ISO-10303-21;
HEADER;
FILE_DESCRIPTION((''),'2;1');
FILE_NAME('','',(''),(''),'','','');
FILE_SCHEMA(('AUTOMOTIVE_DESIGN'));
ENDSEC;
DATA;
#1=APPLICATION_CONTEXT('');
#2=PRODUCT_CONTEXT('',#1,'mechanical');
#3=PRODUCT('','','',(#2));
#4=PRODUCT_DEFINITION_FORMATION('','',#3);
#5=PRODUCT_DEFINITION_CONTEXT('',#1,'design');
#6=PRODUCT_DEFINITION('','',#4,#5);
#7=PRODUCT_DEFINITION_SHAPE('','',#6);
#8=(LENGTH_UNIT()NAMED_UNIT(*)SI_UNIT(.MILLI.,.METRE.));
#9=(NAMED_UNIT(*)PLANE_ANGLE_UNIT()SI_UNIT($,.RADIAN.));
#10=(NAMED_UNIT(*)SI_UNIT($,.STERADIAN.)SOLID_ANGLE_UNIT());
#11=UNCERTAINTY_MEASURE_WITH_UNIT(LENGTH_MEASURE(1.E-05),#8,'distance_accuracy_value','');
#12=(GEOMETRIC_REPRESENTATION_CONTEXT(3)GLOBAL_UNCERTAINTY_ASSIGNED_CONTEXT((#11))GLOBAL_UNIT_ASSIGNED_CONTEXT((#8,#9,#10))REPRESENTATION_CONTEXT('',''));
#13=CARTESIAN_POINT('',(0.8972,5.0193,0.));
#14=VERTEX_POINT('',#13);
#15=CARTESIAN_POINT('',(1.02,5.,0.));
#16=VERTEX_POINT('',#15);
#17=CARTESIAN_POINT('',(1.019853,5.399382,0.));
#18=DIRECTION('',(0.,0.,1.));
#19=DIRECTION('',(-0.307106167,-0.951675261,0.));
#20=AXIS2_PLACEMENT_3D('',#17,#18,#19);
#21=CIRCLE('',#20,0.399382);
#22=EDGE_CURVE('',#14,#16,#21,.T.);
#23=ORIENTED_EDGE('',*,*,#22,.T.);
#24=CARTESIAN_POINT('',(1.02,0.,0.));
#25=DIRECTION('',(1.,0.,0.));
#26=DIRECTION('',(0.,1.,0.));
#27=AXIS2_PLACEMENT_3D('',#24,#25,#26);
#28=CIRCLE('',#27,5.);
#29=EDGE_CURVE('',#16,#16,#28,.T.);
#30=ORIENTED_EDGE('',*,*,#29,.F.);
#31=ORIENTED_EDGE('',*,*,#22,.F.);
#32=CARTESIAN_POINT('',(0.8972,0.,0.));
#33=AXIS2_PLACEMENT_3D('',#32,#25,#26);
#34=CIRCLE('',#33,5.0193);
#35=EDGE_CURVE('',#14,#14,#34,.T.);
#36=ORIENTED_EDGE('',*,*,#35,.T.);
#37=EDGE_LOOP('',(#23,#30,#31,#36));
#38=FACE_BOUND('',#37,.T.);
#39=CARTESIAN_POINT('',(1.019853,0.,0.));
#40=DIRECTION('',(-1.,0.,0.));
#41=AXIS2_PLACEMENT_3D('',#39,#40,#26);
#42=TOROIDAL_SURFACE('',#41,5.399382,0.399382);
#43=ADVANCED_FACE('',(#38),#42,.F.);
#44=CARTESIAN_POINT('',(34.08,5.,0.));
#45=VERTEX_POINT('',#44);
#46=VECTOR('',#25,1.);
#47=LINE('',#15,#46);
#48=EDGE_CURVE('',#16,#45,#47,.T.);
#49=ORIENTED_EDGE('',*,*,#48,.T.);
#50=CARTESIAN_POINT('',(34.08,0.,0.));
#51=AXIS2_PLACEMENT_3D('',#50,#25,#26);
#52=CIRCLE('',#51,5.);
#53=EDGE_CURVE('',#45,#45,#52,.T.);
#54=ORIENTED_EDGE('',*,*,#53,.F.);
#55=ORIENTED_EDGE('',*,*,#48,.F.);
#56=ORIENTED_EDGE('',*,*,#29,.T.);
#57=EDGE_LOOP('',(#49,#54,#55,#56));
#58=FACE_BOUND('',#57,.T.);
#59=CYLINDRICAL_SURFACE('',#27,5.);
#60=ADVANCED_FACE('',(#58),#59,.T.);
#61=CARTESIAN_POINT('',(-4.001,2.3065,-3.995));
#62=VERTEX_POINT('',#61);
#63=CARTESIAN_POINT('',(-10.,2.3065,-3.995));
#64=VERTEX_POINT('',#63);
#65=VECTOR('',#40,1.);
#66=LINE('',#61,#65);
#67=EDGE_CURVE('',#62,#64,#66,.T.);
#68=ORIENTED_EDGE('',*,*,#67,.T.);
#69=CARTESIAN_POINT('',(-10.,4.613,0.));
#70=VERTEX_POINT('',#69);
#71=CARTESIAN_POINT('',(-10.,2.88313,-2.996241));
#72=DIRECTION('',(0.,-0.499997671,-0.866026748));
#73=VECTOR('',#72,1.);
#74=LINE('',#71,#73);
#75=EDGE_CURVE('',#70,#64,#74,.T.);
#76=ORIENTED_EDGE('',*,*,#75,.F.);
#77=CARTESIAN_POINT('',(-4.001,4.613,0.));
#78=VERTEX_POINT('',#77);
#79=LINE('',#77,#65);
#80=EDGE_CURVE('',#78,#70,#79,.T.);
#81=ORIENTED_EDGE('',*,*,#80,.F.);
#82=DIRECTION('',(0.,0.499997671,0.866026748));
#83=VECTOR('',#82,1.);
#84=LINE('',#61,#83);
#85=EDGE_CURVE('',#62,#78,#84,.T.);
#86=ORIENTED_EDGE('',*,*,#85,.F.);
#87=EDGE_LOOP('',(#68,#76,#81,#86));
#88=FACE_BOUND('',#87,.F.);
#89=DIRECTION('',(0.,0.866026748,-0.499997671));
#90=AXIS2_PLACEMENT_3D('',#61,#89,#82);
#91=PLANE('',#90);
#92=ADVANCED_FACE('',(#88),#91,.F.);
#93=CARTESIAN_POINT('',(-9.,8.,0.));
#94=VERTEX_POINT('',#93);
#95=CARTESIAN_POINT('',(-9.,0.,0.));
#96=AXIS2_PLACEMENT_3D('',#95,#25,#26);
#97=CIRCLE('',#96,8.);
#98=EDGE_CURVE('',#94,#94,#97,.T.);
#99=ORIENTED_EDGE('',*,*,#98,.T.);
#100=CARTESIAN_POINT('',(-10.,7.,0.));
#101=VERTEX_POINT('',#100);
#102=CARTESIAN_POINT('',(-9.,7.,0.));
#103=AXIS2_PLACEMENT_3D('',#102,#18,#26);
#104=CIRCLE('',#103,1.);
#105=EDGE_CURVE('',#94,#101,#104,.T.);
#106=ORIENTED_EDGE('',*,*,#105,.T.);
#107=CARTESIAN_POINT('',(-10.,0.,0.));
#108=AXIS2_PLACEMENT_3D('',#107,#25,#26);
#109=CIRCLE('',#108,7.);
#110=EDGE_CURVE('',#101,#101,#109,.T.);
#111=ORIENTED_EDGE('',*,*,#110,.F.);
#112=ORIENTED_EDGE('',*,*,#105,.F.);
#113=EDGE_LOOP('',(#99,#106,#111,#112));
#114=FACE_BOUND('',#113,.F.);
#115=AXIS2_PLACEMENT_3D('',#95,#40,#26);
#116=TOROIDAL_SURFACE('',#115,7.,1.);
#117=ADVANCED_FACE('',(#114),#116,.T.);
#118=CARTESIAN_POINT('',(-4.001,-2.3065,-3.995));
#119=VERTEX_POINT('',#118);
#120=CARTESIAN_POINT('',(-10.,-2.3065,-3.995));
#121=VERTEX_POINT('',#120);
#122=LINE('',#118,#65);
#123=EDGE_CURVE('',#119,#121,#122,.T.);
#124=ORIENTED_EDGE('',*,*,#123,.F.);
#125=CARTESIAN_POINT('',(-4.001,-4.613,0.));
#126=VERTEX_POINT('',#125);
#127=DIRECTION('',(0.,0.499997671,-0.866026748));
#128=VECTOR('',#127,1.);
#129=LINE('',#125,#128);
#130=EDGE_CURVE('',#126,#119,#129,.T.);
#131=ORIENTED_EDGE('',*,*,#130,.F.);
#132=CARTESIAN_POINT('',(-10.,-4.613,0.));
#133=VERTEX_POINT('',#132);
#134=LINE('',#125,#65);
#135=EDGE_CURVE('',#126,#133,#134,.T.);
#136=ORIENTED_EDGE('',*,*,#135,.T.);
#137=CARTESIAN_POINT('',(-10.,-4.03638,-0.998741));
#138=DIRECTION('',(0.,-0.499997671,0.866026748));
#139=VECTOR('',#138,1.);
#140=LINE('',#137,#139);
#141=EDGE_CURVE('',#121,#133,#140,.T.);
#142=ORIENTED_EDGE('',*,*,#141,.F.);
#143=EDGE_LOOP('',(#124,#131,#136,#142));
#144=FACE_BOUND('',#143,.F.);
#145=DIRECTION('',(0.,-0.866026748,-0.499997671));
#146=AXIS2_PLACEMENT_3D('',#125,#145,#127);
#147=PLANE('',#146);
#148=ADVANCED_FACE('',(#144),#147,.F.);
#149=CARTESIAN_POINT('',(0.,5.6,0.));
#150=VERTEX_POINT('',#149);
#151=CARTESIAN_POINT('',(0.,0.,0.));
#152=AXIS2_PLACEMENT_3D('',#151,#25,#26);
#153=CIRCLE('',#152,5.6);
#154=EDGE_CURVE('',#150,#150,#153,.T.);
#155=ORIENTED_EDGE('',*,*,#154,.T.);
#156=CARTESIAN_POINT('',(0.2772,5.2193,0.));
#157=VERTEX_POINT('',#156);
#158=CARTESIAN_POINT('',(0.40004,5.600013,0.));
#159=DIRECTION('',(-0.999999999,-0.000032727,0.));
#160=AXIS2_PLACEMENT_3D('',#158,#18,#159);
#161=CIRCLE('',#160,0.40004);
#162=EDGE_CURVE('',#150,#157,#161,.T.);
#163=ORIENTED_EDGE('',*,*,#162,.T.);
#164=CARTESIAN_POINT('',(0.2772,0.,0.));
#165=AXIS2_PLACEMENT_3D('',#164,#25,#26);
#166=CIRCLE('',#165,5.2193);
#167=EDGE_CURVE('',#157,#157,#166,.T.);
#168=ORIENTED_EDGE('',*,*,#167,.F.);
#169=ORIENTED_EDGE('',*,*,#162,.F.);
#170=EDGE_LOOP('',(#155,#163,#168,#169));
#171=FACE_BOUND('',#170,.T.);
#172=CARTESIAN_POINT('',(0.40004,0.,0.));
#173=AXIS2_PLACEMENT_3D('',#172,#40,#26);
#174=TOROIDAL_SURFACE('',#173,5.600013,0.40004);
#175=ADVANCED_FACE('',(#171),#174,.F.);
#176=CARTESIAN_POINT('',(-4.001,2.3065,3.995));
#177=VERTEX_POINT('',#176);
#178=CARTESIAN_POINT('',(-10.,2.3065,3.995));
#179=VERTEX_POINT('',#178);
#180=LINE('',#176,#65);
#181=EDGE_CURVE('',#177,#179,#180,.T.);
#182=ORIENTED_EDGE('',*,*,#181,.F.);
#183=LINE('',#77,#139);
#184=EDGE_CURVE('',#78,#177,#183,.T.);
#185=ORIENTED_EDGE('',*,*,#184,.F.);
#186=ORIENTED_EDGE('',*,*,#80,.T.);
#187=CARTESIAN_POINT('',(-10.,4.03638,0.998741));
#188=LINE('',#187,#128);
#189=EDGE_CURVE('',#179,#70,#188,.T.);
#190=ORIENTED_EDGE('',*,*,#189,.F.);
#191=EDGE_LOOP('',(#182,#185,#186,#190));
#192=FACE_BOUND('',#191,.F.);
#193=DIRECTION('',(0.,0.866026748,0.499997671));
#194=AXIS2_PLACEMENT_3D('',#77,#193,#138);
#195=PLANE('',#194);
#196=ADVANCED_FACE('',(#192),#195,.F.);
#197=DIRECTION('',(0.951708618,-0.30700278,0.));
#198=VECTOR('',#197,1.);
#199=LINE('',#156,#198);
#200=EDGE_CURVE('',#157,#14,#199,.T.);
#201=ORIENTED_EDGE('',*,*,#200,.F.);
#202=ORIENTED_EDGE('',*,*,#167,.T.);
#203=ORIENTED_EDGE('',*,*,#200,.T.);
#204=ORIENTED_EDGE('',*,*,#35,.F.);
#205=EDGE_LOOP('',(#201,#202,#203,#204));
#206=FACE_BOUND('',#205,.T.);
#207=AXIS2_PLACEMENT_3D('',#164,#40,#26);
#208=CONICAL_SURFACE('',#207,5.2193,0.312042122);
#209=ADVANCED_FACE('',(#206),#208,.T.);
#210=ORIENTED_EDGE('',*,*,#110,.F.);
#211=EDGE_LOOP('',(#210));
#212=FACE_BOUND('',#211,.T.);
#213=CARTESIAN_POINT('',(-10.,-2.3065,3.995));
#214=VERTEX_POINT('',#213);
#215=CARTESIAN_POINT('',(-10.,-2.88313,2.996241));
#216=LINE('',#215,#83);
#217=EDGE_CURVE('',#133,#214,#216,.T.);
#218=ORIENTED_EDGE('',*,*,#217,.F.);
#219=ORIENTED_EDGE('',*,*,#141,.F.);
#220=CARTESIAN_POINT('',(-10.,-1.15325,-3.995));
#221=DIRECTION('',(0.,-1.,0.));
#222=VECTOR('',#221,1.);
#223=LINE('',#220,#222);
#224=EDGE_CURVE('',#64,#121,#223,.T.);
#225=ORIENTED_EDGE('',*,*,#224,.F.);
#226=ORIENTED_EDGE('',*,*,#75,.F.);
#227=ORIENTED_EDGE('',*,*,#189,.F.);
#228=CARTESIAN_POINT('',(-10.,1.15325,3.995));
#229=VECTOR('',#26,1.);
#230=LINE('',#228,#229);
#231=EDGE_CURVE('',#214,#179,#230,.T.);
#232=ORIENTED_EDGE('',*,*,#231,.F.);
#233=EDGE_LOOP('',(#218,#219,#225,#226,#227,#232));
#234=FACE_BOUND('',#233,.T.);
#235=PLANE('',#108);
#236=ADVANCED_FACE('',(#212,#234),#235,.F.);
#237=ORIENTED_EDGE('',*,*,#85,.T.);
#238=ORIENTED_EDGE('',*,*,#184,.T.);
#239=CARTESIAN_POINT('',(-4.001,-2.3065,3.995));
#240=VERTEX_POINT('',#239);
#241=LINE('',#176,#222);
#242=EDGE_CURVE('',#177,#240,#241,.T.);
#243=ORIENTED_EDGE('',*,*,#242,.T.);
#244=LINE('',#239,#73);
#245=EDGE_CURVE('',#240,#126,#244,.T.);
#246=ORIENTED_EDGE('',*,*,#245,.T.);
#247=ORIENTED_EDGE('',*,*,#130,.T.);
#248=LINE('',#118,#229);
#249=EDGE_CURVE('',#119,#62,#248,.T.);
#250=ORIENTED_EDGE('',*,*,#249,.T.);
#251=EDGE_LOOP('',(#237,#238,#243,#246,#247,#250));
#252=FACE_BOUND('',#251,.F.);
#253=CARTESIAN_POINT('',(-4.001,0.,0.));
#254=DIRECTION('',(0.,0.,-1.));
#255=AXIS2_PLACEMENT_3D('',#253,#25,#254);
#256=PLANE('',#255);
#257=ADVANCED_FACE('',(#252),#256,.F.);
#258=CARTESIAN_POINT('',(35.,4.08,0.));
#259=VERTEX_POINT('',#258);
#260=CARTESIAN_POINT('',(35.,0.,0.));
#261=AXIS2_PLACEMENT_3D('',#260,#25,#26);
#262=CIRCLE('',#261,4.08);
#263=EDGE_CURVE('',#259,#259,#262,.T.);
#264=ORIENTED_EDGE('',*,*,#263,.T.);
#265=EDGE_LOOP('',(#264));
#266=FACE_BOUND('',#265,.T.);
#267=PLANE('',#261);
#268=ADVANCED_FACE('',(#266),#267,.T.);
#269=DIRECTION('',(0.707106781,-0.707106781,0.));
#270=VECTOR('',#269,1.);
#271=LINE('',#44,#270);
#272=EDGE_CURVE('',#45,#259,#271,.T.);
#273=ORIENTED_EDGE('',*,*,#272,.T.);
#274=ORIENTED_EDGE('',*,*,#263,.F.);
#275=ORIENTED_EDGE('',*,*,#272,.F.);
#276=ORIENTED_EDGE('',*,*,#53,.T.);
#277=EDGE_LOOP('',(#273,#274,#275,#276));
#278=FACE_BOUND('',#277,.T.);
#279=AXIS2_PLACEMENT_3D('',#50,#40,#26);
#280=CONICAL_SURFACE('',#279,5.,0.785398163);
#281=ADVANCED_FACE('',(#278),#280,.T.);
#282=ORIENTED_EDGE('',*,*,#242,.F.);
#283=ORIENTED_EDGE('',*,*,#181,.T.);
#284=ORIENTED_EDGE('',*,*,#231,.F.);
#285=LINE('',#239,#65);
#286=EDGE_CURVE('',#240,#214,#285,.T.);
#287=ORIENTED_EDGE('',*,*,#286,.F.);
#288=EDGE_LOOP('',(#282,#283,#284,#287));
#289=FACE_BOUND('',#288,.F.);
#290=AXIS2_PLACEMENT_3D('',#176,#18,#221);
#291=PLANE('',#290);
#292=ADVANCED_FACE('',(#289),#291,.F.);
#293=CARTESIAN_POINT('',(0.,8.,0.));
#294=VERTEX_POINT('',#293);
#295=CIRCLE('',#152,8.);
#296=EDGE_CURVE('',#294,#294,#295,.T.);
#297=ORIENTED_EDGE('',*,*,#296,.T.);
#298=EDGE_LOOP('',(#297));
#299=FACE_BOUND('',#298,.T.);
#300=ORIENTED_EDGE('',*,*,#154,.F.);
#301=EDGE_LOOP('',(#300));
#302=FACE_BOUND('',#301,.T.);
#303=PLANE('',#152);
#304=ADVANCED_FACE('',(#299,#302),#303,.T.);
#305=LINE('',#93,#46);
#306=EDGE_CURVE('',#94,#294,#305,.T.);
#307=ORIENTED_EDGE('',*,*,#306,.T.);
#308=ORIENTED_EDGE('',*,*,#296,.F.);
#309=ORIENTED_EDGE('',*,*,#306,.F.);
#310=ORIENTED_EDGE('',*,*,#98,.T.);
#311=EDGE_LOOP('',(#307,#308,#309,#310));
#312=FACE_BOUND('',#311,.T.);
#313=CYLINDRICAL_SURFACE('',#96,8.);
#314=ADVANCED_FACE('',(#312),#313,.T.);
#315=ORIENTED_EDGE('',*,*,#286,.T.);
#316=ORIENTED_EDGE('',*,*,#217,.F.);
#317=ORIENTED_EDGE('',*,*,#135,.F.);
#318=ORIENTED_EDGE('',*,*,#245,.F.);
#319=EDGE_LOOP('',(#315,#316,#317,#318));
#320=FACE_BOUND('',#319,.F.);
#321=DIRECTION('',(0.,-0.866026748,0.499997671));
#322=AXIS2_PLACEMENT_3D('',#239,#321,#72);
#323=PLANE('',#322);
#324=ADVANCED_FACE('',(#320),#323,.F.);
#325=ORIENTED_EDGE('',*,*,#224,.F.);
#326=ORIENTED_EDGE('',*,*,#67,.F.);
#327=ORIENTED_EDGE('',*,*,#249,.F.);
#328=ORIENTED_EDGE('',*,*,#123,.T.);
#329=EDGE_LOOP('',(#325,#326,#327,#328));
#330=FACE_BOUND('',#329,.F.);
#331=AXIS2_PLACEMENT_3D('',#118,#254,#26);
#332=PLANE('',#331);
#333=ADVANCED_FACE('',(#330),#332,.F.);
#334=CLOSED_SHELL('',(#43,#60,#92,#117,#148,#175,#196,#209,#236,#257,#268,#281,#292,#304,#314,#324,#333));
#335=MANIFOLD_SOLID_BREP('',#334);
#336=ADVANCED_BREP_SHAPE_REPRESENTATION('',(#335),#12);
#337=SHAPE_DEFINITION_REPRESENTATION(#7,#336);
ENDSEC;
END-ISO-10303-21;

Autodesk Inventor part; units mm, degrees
sketch "Skizze_2" plane through (0, 0, 0) normal (0, 0, 1) x (1, 0, 0)
  line L0 (38, 0) -> (-10, 0)
  line L1 (-10, 0) -> (-10, 7)
  arc A0 (-9, 8) -> (-10, 7) centre (-9, 7) ccw
  line L2 (-9, 8) -> (0, 8)
  line L3 (0, 8) -> (0, 5.6)
  arc A1 (0, 5.6) -> (0.2772, 5.2193) centre (0.4, 5.6) ccw
  line L4 (0.2772, 5.2193) -> (0.8972, 5.0193)
  arc A2 (0.8972, 5.0193) -> (1.02, 5) centre (1.02, 5.4) ccw
  line L5 (1.02, 5) -> (34.08, 5)
  line L6 (34.08, 5) -> (35, 4.08)
  line L7 (35, 4.08) -> (35, 0)
  line L8 (35, 0) -> (-10, 0)
revolve "Revolution1" add sketch "Skizze_2" angle 360 about axis through (38, 0, 0) along (1, 0, 0)
thread "Thread1" size "M10x1.5" class "6g" standard "ISO Metric profile" length 30.5
sketch "Skizze_1" plane through (-4.001, 0, 0) normal (1, 0, 0) x (0, 0, -1)
  line L0 (-3.995, -2.3065) -> (0, -4.613)
  line L1 (0, -4.613) -> (3.995, -2.3065)
  line L2 (3.995, -2.3065) -> (3.995, 2.3065)
  line L3 (3.995, 2.3065) -> (0, 4.613)
  line L4 (0, 4.613) -> (-3.995, 2.3065)
  line L5 (-3.995, 2.3065) -> (-3.995, -2.3065)
extrude "Extrusion1" cut sketch "Skizze_1" against normal blind 10.01
ref_plane "IP1_XY" through (0, 0, 0) normal (1, 0, 0) x (0, 0, -1)
ref_plane "IP1_YZ" through (0, 0, 0) normal (0, 0, -1) x (0, 1, 0)
ref_plane "IP1_ZX" through (0, 0, 0) normal (0, 1, 0) x (1, 0, 0)
ref_plane "IP2_XY" through (-10, 0, 0) normal (1, 0, 0) x (0, 0, -1)
ref_plane "IP2_YZ" through (-10, 0, 0) normal (0, 0, -1) x (0, 1, 0)
ref_plane "IP2_ZX" through (-10, 0, 0) normal (0, 1, 0) x (1, 0, 0)
ref_plane "IP3_XY" through (35, 0, 0) normal (1, 0, 0) x (0, 0, -1)
ref_plane "IP3_YZ" through (35, 0, 0) normal (0, 0, -1) x (0, 1, 0)
ref_plane "IP3_ZX" through (35, 0, 0) normal (0, 1, 0) x (1, 0, 0)
properties part number "Slotted head cap screw ISO 4762 - M10x35"
